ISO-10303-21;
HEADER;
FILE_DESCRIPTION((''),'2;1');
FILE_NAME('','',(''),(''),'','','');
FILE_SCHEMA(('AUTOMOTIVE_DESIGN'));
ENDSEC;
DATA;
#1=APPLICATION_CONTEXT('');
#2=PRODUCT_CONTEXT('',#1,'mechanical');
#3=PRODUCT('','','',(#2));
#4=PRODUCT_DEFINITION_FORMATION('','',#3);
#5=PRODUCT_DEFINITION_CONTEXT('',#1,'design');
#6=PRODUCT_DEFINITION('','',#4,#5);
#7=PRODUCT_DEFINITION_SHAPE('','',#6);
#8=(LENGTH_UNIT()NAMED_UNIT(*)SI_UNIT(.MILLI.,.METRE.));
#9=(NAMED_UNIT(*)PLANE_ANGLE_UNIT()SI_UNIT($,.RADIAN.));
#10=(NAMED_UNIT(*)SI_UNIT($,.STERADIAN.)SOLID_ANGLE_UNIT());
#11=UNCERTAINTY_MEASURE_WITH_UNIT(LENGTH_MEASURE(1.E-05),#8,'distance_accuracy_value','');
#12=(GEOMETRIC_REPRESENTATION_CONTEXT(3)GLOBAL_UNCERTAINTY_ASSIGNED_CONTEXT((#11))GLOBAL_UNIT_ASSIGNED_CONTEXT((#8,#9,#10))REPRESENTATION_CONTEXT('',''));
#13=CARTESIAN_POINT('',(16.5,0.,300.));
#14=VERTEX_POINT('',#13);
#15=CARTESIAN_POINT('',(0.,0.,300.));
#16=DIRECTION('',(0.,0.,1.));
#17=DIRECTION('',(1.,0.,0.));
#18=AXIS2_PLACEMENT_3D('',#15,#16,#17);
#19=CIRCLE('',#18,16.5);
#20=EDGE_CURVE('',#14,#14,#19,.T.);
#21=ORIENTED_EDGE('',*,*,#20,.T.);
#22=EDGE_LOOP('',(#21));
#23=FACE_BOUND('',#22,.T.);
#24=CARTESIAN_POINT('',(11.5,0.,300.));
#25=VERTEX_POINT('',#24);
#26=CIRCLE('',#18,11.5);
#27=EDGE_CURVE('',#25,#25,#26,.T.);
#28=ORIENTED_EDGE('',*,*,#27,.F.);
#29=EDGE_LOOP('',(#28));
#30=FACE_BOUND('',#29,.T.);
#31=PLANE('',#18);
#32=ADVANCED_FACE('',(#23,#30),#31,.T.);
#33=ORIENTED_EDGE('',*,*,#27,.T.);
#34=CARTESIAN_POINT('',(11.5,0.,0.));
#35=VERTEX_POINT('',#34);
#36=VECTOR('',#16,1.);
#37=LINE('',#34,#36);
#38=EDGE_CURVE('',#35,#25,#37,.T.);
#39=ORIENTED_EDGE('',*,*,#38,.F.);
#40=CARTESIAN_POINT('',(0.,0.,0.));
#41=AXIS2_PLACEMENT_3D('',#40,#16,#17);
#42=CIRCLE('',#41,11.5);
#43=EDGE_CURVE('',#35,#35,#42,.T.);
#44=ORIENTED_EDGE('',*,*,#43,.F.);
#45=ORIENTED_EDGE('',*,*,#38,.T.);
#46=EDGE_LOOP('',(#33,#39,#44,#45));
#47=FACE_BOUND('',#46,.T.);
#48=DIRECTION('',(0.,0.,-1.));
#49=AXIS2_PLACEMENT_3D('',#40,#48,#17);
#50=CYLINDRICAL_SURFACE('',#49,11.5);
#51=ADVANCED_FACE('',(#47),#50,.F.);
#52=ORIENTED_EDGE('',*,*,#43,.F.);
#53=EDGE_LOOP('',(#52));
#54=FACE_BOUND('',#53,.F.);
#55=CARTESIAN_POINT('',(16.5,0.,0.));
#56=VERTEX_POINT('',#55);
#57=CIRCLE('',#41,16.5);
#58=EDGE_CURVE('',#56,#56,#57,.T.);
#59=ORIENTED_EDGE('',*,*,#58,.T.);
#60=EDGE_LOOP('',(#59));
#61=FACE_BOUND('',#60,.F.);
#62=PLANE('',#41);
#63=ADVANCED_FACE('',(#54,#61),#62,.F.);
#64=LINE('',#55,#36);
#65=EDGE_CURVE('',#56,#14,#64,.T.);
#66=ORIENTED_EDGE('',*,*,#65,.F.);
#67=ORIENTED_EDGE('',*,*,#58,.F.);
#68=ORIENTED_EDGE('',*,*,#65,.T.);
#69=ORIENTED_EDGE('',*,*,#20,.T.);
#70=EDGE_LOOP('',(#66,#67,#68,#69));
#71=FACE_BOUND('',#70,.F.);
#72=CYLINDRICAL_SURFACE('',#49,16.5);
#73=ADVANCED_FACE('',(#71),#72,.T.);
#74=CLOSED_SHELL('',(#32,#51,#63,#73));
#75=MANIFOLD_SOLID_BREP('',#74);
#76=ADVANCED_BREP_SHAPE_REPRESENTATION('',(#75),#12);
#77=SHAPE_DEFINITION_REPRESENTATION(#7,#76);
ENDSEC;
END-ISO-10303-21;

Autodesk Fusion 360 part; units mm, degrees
sketch "Sketch1" plane through (0, 0, 0) normal (0, 0, 1) x (1, 0, 0)
  circle A0 centre (0, 0) radius 16.5
  circle A1 centre (0, 0) radius 11.5
  dimension "d1" = 33
  dimension "d2" = 5
extrude "Extrude1" add sketch "Sketch1" along normal blind 300
